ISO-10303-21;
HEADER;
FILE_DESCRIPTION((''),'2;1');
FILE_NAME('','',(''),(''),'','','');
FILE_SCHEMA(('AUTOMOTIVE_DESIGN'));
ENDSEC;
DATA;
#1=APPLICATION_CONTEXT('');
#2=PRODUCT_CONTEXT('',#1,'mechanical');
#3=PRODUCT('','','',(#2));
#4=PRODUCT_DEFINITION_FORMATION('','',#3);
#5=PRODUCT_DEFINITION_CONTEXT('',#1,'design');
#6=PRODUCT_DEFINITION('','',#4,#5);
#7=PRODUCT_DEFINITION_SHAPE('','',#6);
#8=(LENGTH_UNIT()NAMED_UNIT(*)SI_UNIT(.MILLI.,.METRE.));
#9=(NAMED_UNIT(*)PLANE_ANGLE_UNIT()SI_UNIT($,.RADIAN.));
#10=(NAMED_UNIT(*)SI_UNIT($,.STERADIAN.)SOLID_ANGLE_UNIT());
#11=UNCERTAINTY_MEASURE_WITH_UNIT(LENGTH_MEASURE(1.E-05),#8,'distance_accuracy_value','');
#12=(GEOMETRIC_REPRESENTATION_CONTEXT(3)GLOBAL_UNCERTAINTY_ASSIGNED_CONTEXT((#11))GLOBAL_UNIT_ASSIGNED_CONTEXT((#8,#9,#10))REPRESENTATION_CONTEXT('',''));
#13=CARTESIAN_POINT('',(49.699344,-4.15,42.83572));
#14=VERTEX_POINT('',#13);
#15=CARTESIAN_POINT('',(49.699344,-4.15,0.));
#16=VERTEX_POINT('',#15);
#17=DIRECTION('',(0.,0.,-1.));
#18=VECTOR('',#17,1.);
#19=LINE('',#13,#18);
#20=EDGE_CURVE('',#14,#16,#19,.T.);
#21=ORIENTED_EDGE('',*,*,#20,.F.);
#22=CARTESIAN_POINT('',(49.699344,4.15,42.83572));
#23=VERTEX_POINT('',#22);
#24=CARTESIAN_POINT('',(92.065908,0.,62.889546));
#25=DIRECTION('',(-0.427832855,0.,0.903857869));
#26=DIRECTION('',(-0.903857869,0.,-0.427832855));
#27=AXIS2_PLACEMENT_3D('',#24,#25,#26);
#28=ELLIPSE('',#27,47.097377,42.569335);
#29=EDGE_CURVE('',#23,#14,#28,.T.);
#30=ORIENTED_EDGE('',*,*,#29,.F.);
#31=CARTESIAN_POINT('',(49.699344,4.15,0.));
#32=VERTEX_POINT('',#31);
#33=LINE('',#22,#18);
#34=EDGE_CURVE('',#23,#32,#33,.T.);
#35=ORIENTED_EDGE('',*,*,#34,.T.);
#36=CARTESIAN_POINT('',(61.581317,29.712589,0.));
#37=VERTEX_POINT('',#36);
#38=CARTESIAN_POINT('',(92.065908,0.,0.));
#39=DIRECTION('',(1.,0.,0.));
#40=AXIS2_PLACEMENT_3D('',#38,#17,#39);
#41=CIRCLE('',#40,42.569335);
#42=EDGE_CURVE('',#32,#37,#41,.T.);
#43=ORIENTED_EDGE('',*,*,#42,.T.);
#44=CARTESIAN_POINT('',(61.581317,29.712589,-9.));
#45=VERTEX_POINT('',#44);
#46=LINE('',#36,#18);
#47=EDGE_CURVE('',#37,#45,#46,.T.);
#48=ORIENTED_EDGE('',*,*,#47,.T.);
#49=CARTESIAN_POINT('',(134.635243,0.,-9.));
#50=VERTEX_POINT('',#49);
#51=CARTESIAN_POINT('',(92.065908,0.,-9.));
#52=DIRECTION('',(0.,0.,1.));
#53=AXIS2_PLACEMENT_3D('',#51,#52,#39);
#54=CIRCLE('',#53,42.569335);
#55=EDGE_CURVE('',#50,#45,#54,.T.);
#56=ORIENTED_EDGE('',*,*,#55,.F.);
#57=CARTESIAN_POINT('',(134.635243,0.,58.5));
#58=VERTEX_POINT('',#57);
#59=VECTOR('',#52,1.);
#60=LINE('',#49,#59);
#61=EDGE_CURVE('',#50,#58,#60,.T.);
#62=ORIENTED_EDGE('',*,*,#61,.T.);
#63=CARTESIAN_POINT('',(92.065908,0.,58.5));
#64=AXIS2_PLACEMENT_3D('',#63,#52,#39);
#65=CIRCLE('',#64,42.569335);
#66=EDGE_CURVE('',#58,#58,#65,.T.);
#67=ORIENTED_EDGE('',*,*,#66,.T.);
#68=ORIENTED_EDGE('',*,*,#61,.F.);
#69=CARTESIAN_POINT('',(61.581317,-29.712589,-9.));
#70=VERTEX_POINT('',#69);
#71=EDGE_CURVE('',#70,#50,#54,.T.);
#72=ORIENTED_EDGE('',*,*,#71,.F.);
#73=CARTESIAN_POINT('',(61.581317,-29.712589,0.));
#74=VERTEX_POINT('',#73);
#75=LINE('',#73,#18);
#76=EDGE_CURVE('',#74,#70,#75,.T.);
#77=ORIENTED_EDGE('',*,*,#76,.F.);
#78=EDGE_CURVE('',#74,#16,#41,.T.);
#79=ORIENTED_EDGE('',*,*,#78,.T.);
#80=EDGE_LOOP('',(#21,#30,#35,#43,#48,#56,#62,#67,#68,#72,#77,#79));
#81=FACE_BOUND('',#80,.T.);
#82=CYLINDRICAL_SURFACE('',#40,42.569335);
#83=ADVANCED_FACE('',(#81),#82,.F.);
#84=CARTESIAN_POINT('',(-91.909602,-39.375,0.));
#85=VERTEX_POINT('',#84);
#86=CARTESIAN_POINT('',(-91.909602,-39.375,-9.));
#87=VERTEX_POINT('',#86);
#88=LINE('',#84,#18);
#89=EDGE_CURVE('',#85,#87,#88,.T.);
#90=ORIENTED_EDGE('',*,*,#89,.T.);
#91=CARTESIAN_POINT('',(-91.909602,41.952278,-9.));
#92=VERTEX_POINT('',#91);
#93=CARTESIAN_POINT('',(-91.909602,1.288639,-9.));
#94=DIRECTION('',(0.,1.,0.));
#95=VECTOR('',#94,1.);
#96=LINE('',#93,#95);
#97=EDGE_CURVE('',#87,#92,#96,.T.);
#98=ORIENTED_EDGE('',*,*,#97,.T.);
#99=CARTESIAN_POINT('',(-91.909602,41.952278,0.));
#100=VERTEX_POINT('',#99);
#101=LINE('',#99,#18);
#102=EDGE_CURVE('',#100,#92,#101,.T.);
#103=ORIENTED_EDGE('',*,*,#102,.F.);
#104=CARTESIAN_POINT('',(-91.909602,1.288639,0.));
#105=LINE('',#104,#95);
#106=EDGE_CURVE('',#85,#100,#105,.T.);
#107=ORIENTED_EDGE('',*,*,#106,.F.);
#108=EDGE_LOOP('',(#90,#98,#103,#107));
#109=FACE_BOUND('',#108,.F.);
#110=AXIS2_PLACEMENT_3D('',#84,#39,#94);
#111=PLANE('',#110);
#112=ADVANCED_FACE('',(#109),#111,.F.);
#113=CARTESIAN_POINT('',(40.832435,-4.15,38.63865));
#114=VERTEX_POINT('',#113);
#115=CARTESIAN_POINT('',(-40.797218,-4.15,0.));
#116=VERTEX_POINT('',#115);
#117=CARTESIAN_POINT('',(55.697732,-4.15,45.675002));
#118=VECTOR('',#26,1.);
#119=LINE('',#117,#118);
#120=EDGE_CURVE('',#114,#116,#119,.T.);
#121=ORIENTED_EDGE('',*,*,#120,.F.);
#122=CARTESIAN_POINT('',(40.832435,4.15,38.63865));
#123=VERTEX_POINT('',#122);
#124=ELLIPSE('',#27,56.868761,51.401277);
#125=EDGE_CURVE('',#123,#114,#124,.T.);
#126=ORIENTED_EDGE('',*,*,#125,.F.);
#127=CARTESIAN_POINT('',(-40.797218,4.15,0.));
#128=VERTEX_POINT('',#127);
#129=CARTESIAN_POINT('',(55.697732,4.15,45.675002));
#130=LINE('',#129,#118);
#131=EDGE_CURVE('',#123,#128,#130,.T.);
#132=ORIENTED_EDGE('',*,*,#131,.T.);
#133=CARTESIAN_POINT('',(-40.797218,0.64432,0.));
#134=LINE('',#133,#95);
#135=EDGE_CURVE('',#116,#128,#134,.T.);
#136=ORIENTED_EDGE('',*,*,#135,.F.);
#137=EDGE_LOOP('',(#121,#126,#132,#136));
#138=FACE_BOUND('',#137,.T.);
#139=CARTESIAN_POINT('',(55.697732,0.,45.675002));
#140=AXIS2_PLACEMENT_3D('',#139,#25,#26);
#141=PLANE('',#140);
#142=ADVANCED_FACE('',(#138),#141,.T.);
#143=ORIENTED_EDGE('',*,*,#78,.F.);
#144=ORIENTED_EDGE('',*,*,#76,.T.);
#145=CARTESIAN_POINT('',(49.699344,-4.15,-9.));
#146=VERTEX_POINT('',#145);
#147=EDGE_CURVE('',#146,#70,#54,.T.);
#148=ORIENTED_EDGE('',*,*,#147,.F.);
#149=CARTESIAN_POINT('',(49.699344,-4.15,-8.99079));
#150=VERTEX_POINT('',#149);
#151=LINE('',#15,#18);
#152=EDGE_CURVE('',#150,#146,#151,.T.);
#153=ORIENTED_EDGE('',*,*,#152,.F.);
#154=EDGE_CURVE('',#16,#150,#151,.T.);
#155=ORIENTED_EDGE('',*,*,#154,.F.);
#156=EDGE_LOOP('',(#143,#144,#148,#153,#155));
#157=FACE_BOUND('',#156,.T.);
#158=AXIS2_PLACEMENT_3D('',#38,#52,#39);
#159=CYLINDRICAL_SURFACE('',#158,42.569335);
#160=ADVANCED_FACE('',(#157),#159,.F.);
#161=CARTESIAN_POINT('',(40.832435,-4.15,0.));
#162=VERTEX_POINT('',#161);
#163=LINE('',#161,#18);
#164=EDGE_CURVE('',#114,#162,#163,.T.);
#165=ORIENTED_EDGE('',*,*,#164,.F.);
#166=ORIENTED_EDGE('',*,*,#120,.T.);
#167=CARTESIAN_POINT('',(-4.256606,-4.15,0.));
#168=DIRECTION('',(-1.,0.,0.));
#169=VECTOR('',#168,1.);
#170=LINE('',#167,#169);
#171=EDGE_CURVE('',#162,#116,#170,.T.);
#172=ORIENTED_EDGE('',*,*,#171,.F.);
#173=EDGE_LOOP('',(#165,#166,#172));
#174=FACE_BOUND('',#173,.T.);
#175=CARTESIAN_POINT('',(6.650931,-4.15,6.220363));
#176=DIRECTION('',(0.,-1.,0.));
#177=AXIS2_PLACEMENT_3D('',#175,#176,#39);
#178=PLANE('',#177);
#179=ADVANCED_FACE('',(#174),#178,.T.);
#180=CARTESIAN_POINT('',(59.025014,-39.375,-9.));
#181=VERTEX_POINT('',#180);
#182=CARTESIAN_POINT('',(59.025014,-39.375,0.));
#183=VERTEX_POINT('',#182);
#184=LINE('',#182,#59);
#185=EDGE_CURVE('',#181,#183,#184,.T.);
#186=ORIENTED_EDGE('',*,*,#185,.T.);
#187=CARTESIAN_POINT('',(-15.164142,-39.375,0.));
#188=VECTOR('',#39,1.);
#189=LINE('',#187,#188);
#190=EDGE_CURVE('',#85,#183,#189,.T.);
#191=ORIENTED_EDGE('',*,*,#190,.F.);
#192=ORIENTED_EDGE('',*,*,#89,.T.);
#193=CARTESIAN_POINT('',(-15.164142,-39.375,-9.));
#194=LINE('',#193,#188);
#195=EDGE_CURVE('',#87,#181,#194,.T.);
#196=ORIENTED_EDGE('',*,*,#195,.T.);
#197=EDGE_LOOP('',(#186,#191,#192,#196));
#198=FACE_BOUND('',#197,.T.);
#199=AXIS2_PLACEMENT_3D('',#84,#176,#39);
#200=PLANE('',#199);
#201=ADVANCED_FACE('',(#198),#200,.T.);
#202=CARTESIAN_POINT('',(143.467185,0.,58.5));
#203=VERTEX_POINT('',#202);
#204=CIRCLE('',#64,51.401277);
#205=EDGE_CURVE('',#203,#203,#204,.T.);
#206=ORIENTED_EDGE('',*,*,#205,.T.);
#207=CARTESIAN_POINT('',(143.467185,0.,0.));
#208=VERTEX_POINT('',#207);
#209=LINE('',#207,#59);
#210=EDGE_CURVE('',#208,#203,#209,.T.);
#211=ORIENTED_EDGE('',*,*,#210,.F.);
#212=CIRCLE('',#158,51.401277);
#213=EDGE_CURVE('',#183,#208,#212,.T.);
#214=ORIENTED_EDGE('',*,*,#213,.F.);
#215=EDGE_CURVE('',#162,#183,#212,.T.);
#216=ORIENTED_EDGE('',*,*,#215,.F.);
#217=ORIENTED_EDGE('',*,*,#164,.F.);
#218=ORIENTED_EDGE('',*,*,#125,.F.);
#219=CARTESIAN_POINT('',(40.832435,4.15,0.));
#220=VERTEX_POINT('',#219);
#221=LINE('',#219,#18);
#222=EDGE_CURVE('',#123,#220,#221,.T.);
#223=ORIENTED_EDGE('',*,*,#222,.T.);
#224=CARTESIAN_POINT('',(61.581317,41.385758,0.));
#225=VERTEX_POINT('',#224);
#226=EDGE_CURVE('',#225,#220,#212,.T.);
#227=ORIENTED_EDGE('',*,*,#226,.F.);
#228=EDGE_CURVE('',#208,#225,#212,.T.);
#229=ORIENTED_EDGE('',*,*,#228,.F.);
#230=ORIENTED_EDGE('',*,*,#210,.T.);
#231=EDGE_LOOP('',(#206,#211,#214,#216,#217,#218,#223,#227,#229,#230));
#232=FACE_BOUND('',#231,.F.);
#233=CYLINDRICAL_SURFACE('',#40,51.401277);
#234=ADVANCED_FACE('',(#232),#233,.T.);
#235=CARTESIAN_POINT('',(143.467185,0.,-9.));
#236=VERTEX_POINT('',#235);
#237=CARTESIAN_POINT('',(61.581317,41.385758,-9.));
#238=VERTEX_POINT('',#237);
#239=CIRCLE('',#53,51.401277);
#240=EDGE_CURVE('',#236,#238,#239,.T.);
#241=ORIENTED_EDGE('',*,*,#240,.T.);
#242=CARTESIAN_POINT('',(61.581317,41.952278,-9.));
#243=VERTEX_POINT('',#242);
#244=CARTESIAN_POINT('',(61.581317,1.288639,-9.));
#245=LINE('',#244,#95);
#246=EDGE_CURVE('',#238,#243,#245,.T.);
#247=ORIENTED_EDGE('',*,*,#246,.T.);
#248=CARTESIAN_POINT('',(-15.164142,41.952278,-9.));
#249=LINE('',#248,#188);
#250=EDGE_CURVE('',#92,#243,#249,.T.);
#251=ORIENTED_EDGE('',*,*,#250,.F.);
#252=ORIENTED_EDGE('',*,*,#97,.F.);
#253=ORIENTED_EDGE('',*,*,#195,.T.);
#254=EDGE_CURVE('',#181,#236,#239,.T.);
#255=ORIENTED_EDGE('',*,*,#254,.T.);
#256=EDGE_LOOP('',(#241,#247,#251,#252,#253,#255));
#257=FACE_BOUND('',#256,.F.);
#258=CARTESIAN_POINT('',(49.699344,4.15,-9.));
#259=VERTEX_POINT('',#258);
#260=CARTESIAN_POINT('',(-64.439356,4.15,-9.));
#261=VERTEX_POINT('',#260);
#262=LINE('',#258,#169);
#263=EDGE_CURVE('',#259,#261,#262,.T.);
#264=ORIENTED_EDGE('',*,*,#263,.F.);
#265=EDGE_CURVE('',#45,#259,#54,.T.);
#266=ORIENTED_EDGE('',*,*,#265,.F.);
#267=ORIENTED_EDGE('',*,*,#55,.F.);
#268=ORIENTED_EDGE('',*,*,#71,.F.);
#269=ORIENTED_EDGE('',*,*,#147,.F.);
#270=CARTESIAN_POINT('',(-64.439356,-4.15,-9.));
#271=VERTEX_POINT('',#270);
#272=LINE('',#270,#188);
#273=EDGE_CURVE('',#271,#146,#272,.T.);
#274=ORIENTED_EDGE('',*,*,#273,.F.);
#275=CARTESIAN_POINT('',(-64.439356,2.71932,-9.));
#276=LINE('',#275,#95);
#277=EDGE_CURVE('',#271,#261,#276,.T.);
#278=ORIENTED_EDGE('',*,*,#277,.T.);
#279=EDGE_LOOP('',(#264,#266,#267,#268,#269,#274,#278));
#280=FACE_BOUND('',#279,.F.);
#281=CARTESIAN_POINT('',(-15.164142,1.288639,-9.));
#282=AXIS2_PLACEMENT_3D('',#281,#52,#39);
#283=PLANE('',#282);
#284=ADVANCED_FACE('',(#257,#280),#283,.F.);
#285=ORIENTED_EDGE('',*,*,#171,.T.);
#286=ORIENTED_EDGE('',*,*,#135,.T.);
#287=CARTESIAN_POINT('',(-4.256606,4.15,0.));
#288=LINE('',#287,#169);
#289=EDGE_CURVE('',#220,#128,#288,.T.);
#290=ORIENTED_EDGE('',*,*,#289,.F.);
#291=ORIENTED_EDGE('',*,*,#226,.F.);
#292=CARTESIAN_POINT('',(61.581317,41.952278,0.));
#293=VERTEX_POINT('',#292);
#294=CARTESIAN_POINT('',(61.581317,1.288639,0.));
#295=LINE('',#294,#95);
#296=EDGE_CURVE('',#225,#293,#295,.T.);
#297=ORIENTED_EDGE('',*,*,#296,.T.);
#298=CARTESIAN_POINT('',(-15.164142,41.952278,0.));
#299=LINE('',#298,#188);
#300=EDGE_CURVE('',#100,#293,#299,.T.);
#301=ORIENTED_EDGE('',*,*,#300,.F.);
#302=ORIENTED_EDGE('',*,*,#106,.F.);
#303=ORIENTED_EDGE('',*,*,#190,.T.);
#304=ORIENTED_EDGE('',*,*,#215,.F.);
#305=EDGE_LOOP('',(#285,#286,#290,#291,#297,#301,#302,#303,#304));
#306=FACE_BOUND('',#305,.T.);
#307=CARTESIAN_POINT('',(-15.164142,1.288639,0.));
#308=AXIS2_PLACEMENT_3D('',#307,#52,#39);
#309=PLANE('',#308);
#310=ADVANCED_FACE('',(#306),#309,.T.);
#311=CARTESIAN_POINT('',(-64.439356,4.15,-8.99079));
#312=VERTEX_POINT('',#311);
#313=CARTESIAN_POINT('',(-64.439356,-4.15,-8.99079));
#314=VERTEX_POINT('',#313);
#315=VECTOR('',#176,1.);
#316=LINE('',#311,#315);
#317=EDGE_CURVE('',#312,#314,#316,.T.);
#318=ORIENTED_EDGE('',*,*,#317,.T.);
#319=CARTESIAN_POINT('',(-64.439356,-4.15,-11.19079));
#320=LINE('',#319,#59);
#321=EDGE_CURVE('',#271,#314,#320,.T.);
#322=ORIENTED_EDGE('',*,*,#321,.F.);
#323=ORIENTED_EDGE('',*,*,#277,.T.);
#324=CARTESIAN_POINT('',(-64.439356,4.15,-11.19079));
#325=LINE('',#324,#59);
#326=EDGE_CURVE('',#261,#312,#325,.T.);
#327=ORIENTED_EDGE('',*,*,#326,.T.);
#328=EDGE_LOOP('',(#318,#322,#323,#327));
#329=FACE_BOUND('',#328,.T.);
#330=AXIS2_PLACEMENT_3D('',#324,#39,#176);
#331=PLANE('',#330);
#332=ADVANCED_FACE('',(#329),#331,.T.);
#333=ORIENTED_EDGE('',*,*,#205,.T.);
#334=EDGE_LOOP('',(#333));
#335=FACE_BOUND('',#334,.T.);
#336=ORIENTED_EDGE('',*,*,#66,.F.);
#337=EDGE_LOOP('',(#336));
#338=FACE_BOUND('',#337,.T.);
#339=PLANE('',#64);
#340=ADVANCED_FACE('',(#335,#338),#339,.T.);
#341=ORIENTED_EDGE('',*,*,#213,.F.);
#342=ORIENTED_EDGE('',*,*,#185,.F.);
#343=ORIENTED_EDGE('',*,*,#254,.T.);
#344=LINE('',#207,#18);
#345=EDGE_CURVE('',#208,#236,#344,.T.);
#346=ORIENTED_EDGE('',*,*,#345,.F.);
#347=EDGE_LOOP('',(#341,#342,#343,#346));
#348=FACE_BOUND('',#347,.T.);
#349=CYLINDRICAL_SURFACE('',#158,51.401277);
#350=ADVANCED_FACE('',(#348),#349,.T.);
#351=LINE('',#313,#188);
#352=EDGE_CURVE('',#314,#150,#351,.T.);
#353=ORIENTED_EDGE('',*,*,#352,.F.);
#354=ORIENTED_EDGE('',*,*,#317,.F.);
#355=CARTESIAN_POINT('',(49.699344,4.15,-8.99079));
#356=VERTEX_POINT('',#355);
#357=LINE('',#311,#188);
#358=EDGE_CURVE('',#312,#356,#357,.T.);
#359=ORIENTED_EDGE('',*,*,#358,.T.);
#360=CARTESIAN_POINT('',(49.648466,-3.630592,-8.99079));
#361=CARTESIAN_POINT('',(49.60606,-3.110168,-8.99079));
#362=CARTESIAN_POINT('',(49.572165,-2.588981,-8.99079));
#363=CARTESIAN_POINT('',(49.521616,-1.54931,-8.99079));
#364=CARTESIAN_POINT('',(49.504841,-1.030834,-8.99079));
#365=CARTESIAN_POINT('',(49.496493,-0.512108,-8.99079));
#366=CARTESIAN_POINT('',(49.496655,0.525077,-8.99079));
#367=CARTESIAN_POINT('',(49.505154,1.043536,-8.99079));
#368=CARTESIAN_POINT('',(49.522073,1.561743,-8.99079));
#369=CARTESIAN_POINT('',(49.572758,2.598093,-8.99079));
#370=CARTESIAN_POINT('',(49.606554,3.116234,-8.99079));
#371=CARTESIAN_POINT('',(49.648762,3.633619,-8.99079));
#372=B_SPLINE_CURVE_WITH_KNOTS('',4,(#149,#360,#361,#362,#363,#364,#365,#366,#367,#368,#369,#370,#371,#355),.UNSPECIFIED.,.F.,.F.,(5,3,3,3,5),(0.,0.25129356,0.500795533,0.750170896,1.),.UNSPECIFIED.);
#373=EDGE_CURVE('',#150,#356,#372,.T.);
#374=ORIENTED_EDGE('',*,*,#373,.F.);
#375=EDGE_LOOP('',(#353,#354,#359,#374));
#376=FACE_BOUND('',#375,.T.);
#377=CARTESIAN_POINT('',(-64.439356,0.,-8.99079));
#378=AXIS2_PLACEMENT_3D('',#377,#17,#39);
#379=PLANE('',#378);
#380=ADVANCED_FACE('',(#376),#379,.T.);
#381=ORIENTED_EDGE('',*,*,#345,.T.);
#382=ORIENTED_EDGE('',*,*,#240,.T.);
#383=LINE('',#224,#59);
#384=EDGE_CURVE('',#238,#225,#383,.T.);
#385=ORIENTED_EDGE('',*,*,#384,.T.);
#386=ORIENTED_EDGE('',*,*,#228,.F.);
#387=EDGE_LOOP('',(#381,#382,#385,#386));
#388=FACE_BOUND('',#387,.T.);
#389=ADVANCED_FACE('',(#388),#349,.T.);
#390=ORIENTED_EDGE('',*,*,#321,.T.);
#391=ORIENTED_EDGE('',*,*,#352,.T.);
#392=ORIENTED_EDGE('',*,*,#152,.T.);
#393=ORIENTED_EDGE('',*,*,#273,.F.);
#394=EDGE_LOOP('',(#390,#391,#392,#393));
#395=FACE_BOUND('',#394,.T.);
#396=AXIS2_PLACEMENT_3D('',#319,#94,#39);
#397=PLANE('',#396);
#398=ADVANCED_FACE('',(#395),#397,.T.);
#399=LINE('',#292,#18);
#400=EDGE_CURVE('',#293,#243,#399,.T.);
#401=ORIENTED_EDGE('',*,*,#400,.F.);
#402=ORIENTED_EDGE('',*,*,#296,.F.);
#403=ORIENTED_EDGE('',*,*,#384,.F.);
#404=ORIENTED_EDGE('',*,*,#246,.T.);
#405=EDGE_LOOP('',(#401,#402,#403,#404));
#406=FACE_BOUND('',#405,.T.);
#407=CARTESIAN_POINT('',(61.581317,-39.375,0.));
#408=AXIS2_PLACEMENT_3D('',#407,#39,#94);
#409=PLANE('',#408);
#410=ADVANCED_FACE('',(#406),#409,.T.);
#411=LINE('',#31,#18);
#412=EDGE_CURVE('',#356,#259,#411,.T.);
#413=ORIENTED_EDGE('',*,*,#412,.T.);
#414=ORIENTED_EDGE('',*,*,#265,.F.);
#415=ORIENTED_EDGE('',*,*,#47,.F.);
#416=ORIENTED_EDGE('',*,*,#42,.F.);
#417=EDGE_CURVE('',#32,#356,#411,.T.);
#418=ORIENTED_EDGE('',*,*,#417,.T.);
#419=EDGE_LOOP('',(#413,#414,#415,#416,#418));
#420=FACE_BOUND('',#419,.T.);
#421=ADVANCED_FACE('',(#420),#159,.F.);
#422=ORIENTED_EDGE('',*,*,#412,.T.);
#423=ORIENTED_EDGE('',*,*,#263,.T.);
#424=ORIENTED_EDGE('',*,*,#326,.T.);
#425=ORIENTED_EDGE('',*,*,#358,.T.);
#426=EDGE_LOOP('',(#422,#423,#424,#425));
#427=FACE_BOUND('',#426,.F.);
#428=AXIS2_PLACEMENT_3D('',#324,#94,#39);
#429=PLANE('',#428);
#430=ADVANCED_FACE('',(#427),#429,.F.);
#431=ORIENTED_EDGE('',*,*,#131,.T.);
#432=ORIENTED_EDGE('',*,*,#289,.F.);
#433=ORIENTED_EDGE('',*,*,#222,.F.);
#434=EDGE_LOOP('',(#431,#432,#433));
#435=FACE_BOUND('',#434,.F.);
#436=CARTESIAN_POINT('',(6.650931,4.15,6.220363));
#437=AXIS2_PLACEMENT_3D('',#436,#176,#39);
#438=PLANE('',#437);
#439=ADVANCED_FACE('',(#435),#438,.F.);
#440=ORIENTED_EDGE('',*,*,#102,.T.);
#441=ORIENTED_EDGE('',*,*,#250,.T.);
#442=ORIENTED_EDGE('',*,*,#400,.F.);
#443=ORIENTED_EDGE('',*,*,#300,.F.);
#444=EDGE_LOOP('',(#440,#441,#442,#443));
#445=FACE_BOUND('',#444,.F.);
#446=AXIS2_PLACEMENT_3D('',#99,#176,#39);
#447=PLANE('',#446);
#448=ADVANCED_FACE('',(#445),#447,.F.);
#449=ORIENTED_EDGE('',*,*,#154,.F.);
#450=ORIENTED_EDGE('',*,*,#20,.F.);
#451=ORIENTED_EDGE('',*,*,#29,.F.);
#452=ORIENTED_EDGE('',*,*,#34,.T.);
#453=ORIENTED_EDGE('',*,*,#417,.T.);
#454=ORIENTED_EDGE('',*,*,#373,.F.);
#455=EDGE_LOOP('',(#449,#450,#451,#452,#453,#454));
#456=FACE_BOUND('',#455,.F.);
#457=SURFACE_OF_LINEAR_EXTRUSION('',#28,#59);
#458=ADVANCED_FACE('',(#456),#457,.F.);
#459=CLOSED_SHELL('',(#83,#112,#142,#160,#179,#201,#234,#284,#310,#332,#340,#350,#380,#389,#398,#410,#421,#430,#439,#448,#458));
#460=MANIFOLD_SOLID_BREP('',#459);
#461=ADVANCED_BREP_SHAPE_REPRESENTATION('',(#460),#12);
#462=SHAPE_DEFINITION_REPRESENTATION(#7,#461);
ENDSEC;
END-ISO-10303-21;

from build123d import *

# Parameters (mm, degrees)
F1_R     = 51.4012769419
F1_R_2   = 42.5693345022
F2_DEPTH = 9
F3_DEPTH = 58.5
F4_DEPTH = 4.15
F5_W     = 153.4909196198
F5_H     = 81.327278167
F6_DEPTH = 9
F7_DEPTH = 81.9
F8_DEPTH = 2.2


with BuildPart() as f2:
    # F1 (on Top) → F2 (new body)
    with BuildSketch(Plane.XY):
        with Locations((92.0659080148, 0)):
            Circle(F1_R)
        with Locations((92.0659080148, 0)):
            Circle(F1_R_2, mode=Mode.SUBTRACT)
    extrude(amount=-F2_DEPTH)

    # F1 (on Top) → F3 (join)
    with BuildSketch(Plane.XY):
        with Locations((92.0659080148, 0)):
            Circle(F1_R)
        with Locations((92.0659080148, 0)):
            Circle(F1_R_2, mode=Mode.SUBTRACT)
    extrude(amount=F3_DEPTH)

    # F0 (on Front) → F4 (join, symmetric)
    with BuildSketch(Plane.XZ):
        Polygon((55.6977316737, 45.6750020385), (-64.4393563271, -11.1907897517), (55.6977316737, -11.1907897517), align=None)
    extrude(amount=F4_DEPTH, both=True)

    # F5 (on Top) → F6 (join)
    with BuildSketch(Plane.XY):
        with Locations((-15.1641424745, 1.2886393815)):
            Rectangle(F5_W, F5_H)
    extrude(amount=-F6_DEPTH)

    # F7 (cut): faces of the model
    f7_faces = [f2.faces().sort_by_distance(p)[0] for p in [
        (57.1486967717, 0, 0),
        (52.6306177028, 0, 44.2232116932),
    ]]
    extrude(f7_faces, amount=-F7_DEPTH, dir=(0, 0, 1), mode=Mode.SUBTRACT)

    # F8 (cut): a face of the model
    f8_faces = [f2.faces().sort_by_distance(p)[0] for p in [
        (-7.4376125562, 1e-10, -11.1907897517),
    ]]
    extrude(f8_faces, amount=-F8_DEPTH, mode=Mode.SUBTRACT)


solid = f2.part
